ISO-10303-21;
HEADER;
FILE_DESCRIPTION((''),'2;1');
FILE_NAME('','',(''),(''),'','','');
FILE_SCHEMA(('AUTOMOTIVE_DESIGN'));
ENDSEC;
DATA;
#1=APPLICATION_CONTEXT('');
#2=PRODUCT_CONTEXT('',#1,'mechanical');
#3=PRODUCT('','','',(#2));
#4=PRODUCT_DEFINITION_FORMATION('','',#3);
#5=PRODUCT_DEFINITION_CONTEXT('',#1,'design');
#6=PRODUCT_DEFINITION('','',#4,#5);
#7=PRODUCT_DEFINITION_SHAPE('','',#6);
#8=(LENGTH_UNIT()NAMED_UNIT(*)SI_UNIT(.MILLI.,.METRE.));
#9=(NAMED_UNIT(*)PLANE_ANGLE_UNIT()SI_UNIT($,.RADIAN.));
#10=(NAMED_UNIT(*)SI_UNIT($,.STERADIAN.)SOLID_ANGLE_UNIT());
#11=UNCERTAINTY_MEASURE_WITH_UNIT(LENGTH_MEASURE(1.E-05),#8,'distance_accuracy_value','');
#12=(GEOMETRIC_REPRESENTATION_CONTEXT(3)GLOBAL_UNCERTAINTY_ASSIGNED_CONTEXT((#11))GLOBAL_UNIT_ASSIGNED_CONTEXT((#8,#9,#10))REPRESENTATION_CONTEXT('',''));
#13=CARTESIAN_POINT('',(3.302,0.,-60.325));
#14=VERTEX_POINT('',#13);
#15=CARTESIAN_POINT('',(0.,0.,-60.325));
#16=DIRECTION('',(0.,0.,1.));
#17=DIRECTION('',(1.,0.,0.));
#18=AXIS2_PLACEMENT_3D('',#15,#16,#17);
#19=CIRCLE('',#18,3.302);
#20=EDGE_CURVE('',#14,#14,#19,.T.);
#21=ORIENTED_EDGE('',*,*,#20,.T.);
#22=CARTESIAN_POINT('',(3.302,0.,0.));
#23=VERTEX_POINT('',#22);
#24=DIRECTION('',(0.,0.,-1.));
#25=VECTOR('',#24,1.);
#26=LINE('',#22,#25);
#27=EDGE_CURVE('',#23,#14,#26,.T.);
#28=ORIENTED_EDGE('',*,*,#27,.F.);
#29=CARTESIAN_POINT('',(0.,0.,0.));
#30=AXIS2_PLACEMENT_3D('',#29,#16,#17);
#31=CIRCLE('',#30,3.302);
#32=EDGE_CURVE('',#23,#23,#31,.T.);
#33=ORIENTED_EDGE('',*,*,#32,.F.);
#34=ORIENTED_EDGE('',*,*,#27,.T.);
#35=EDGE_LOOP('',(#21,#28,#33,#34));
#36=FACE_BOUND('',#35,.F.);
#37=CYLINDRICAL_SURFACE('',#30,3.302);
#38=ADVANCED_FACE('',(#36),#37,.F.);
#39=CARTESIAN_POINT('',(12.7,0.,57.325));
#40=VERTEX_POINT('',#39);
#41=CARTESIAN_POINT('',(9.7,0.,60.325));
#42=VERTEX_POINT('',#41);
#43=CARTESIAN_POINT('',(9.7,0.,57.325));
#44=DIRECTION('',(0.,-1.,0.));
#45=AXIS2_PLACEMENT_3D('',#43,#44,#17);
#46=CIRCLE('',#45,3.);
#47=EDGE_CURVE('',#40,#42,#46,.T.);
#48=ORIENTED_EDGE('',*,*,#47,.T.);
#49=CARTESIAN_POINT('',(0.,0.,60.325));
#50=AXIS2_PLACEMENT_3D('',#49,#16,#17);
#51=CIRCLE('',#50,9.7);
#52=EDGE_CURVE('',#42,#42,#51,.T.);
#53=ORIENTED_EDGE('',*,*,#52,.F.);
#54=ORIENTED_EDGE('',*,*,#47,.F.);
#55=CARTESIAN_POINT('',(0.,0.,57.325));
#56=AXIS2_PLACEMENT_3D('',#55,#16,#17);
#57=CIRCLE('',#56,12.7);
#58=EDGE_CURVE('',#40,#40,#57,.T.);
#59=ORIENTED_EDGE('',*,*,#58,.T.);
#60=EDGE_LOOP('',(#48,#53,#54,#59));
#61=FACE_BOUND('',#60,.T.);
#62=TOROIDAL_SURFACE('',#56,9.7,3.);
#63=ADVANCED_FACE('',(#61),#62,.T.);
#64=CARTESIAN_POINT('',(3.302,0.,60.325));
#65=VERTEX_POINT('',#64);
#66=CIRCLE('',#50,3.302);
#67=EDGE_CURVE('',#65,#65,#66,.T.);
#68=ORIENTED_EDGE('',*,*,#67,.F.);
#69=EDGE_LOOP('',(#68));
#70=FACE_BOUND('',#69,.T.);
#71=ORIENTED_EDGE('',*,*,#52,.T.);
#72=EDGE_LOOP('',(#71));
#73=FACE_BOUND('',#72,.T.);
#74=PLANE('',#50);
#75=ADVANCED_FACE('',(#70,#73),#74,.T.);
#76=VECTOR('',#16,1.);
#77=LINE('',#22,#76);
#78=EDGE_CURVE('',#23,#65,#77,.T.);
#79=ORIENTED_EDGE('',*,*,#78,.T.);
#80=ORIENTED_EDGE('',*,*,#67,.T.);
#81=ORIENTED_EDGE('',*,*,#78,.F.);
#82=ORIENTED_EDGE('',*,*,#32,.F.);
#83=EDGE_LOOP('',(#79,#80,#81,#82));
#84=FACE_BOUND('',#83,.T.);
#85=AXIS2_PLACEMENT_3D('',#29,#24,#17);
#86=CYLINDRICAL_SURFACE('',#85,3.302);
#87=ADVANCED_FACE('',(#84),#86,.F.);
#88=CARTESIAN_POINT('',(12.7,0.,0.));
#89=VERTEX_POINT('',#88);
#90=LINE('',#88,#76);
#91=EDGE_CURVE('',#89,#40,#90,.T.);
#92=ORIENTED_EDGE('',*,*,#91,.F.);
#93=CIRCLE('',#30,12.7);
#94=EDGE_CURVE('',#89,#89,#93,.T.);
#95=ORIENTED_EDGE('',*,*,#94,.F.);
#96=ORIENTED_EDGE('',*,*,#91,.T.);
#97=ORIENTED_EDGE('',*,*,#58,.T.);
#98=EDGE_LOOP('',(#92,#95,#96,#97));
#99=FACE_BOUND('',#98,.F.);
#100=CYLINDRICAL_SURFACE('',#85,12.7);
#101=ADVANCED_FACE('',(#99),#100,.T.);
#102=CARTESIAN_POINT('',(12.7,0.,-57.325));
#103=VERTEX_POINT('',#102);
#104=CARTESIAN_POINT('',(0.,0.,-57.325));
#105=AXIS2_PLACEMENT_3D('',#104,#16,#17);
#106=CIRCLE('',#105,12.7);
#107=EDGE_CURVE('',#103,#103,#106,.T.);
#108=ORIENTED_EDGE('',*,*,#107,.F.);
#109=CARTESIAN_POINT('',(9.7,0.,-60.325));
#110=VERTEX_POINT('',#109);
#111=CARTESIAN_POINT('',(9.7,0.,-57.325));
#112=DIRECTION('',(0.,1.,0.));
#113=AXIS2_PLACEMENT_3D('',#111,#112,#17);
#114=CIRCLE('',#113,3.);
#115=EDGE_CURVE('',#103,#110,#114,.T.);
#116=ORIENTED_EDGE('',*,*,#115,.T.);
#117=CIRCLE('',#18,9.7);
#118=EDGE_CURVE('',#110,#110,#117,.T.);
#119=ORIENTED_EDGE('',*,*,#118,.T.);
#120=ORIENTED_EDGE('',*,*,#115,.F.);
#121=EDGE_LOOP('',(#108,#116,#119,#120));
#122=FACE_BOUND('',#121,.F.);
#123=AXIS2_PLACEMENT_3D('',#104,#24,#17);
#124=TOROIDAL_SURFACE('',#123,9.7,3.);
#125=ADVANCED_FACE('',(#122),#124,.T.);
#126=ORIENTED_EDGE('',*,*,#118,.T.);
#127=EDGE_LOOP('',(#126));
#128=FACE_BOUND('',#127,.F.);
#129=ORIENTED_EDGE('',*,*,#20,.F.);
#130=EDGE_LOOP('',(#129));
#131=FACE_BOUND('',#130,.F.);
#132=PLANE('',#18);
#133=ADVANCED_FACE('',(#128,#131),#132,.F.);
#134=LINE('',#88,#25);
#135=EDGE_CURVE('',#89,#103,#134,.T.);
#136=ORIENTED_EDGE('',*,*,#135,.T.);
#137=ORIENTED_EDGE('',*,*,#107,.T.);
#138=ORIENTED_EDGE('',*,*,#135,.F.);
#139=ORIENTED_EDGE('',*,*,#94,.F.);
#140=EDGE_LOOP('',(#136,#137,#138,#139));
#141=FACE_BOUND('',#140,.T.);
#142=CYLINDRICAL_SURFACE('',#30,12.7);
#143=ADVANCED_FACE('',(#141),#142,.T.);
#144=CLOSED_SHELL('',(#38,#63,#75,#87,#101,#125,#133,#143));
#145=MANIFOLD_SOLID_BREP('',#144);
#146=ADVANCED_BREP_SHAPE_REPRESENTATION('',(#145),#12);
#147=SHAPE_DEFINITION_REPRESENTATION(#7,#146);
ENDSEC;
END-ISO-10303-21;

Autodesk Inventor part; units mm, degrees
ref_plane "YZ Plane" through (0, 0, 0) normal (1, 0, 0) x (0, 1, 0)
ref_plane "XZ Plane" through (0, 0, 0) normal (0, 1, 0) x (-1, 0, 0)
ref_plane "XY Plane" through (0, 0, 0) normal (0, 0, 1) x (1, 0, 0)
sketch "Sketch1" plane through (0, 0, 0) normal (0, 0, 1) x (1, 0, 0)
  circle A0 centre (0, 0) radius 12.7
  circle A1 centre (0, 0) radius 3.302
  dimension "d0" = 25.4
  dimension "d1" = 6.604
extrude "Extrusion1" add sketch "Sketch1" along normal mid plane 120.65
fillet "Fillet1" radius 3 2 edges at (-12.7, 0, 60.325) (-12.7, 0, -60.325)
properties part number "Wagon Hand Handle V02"
